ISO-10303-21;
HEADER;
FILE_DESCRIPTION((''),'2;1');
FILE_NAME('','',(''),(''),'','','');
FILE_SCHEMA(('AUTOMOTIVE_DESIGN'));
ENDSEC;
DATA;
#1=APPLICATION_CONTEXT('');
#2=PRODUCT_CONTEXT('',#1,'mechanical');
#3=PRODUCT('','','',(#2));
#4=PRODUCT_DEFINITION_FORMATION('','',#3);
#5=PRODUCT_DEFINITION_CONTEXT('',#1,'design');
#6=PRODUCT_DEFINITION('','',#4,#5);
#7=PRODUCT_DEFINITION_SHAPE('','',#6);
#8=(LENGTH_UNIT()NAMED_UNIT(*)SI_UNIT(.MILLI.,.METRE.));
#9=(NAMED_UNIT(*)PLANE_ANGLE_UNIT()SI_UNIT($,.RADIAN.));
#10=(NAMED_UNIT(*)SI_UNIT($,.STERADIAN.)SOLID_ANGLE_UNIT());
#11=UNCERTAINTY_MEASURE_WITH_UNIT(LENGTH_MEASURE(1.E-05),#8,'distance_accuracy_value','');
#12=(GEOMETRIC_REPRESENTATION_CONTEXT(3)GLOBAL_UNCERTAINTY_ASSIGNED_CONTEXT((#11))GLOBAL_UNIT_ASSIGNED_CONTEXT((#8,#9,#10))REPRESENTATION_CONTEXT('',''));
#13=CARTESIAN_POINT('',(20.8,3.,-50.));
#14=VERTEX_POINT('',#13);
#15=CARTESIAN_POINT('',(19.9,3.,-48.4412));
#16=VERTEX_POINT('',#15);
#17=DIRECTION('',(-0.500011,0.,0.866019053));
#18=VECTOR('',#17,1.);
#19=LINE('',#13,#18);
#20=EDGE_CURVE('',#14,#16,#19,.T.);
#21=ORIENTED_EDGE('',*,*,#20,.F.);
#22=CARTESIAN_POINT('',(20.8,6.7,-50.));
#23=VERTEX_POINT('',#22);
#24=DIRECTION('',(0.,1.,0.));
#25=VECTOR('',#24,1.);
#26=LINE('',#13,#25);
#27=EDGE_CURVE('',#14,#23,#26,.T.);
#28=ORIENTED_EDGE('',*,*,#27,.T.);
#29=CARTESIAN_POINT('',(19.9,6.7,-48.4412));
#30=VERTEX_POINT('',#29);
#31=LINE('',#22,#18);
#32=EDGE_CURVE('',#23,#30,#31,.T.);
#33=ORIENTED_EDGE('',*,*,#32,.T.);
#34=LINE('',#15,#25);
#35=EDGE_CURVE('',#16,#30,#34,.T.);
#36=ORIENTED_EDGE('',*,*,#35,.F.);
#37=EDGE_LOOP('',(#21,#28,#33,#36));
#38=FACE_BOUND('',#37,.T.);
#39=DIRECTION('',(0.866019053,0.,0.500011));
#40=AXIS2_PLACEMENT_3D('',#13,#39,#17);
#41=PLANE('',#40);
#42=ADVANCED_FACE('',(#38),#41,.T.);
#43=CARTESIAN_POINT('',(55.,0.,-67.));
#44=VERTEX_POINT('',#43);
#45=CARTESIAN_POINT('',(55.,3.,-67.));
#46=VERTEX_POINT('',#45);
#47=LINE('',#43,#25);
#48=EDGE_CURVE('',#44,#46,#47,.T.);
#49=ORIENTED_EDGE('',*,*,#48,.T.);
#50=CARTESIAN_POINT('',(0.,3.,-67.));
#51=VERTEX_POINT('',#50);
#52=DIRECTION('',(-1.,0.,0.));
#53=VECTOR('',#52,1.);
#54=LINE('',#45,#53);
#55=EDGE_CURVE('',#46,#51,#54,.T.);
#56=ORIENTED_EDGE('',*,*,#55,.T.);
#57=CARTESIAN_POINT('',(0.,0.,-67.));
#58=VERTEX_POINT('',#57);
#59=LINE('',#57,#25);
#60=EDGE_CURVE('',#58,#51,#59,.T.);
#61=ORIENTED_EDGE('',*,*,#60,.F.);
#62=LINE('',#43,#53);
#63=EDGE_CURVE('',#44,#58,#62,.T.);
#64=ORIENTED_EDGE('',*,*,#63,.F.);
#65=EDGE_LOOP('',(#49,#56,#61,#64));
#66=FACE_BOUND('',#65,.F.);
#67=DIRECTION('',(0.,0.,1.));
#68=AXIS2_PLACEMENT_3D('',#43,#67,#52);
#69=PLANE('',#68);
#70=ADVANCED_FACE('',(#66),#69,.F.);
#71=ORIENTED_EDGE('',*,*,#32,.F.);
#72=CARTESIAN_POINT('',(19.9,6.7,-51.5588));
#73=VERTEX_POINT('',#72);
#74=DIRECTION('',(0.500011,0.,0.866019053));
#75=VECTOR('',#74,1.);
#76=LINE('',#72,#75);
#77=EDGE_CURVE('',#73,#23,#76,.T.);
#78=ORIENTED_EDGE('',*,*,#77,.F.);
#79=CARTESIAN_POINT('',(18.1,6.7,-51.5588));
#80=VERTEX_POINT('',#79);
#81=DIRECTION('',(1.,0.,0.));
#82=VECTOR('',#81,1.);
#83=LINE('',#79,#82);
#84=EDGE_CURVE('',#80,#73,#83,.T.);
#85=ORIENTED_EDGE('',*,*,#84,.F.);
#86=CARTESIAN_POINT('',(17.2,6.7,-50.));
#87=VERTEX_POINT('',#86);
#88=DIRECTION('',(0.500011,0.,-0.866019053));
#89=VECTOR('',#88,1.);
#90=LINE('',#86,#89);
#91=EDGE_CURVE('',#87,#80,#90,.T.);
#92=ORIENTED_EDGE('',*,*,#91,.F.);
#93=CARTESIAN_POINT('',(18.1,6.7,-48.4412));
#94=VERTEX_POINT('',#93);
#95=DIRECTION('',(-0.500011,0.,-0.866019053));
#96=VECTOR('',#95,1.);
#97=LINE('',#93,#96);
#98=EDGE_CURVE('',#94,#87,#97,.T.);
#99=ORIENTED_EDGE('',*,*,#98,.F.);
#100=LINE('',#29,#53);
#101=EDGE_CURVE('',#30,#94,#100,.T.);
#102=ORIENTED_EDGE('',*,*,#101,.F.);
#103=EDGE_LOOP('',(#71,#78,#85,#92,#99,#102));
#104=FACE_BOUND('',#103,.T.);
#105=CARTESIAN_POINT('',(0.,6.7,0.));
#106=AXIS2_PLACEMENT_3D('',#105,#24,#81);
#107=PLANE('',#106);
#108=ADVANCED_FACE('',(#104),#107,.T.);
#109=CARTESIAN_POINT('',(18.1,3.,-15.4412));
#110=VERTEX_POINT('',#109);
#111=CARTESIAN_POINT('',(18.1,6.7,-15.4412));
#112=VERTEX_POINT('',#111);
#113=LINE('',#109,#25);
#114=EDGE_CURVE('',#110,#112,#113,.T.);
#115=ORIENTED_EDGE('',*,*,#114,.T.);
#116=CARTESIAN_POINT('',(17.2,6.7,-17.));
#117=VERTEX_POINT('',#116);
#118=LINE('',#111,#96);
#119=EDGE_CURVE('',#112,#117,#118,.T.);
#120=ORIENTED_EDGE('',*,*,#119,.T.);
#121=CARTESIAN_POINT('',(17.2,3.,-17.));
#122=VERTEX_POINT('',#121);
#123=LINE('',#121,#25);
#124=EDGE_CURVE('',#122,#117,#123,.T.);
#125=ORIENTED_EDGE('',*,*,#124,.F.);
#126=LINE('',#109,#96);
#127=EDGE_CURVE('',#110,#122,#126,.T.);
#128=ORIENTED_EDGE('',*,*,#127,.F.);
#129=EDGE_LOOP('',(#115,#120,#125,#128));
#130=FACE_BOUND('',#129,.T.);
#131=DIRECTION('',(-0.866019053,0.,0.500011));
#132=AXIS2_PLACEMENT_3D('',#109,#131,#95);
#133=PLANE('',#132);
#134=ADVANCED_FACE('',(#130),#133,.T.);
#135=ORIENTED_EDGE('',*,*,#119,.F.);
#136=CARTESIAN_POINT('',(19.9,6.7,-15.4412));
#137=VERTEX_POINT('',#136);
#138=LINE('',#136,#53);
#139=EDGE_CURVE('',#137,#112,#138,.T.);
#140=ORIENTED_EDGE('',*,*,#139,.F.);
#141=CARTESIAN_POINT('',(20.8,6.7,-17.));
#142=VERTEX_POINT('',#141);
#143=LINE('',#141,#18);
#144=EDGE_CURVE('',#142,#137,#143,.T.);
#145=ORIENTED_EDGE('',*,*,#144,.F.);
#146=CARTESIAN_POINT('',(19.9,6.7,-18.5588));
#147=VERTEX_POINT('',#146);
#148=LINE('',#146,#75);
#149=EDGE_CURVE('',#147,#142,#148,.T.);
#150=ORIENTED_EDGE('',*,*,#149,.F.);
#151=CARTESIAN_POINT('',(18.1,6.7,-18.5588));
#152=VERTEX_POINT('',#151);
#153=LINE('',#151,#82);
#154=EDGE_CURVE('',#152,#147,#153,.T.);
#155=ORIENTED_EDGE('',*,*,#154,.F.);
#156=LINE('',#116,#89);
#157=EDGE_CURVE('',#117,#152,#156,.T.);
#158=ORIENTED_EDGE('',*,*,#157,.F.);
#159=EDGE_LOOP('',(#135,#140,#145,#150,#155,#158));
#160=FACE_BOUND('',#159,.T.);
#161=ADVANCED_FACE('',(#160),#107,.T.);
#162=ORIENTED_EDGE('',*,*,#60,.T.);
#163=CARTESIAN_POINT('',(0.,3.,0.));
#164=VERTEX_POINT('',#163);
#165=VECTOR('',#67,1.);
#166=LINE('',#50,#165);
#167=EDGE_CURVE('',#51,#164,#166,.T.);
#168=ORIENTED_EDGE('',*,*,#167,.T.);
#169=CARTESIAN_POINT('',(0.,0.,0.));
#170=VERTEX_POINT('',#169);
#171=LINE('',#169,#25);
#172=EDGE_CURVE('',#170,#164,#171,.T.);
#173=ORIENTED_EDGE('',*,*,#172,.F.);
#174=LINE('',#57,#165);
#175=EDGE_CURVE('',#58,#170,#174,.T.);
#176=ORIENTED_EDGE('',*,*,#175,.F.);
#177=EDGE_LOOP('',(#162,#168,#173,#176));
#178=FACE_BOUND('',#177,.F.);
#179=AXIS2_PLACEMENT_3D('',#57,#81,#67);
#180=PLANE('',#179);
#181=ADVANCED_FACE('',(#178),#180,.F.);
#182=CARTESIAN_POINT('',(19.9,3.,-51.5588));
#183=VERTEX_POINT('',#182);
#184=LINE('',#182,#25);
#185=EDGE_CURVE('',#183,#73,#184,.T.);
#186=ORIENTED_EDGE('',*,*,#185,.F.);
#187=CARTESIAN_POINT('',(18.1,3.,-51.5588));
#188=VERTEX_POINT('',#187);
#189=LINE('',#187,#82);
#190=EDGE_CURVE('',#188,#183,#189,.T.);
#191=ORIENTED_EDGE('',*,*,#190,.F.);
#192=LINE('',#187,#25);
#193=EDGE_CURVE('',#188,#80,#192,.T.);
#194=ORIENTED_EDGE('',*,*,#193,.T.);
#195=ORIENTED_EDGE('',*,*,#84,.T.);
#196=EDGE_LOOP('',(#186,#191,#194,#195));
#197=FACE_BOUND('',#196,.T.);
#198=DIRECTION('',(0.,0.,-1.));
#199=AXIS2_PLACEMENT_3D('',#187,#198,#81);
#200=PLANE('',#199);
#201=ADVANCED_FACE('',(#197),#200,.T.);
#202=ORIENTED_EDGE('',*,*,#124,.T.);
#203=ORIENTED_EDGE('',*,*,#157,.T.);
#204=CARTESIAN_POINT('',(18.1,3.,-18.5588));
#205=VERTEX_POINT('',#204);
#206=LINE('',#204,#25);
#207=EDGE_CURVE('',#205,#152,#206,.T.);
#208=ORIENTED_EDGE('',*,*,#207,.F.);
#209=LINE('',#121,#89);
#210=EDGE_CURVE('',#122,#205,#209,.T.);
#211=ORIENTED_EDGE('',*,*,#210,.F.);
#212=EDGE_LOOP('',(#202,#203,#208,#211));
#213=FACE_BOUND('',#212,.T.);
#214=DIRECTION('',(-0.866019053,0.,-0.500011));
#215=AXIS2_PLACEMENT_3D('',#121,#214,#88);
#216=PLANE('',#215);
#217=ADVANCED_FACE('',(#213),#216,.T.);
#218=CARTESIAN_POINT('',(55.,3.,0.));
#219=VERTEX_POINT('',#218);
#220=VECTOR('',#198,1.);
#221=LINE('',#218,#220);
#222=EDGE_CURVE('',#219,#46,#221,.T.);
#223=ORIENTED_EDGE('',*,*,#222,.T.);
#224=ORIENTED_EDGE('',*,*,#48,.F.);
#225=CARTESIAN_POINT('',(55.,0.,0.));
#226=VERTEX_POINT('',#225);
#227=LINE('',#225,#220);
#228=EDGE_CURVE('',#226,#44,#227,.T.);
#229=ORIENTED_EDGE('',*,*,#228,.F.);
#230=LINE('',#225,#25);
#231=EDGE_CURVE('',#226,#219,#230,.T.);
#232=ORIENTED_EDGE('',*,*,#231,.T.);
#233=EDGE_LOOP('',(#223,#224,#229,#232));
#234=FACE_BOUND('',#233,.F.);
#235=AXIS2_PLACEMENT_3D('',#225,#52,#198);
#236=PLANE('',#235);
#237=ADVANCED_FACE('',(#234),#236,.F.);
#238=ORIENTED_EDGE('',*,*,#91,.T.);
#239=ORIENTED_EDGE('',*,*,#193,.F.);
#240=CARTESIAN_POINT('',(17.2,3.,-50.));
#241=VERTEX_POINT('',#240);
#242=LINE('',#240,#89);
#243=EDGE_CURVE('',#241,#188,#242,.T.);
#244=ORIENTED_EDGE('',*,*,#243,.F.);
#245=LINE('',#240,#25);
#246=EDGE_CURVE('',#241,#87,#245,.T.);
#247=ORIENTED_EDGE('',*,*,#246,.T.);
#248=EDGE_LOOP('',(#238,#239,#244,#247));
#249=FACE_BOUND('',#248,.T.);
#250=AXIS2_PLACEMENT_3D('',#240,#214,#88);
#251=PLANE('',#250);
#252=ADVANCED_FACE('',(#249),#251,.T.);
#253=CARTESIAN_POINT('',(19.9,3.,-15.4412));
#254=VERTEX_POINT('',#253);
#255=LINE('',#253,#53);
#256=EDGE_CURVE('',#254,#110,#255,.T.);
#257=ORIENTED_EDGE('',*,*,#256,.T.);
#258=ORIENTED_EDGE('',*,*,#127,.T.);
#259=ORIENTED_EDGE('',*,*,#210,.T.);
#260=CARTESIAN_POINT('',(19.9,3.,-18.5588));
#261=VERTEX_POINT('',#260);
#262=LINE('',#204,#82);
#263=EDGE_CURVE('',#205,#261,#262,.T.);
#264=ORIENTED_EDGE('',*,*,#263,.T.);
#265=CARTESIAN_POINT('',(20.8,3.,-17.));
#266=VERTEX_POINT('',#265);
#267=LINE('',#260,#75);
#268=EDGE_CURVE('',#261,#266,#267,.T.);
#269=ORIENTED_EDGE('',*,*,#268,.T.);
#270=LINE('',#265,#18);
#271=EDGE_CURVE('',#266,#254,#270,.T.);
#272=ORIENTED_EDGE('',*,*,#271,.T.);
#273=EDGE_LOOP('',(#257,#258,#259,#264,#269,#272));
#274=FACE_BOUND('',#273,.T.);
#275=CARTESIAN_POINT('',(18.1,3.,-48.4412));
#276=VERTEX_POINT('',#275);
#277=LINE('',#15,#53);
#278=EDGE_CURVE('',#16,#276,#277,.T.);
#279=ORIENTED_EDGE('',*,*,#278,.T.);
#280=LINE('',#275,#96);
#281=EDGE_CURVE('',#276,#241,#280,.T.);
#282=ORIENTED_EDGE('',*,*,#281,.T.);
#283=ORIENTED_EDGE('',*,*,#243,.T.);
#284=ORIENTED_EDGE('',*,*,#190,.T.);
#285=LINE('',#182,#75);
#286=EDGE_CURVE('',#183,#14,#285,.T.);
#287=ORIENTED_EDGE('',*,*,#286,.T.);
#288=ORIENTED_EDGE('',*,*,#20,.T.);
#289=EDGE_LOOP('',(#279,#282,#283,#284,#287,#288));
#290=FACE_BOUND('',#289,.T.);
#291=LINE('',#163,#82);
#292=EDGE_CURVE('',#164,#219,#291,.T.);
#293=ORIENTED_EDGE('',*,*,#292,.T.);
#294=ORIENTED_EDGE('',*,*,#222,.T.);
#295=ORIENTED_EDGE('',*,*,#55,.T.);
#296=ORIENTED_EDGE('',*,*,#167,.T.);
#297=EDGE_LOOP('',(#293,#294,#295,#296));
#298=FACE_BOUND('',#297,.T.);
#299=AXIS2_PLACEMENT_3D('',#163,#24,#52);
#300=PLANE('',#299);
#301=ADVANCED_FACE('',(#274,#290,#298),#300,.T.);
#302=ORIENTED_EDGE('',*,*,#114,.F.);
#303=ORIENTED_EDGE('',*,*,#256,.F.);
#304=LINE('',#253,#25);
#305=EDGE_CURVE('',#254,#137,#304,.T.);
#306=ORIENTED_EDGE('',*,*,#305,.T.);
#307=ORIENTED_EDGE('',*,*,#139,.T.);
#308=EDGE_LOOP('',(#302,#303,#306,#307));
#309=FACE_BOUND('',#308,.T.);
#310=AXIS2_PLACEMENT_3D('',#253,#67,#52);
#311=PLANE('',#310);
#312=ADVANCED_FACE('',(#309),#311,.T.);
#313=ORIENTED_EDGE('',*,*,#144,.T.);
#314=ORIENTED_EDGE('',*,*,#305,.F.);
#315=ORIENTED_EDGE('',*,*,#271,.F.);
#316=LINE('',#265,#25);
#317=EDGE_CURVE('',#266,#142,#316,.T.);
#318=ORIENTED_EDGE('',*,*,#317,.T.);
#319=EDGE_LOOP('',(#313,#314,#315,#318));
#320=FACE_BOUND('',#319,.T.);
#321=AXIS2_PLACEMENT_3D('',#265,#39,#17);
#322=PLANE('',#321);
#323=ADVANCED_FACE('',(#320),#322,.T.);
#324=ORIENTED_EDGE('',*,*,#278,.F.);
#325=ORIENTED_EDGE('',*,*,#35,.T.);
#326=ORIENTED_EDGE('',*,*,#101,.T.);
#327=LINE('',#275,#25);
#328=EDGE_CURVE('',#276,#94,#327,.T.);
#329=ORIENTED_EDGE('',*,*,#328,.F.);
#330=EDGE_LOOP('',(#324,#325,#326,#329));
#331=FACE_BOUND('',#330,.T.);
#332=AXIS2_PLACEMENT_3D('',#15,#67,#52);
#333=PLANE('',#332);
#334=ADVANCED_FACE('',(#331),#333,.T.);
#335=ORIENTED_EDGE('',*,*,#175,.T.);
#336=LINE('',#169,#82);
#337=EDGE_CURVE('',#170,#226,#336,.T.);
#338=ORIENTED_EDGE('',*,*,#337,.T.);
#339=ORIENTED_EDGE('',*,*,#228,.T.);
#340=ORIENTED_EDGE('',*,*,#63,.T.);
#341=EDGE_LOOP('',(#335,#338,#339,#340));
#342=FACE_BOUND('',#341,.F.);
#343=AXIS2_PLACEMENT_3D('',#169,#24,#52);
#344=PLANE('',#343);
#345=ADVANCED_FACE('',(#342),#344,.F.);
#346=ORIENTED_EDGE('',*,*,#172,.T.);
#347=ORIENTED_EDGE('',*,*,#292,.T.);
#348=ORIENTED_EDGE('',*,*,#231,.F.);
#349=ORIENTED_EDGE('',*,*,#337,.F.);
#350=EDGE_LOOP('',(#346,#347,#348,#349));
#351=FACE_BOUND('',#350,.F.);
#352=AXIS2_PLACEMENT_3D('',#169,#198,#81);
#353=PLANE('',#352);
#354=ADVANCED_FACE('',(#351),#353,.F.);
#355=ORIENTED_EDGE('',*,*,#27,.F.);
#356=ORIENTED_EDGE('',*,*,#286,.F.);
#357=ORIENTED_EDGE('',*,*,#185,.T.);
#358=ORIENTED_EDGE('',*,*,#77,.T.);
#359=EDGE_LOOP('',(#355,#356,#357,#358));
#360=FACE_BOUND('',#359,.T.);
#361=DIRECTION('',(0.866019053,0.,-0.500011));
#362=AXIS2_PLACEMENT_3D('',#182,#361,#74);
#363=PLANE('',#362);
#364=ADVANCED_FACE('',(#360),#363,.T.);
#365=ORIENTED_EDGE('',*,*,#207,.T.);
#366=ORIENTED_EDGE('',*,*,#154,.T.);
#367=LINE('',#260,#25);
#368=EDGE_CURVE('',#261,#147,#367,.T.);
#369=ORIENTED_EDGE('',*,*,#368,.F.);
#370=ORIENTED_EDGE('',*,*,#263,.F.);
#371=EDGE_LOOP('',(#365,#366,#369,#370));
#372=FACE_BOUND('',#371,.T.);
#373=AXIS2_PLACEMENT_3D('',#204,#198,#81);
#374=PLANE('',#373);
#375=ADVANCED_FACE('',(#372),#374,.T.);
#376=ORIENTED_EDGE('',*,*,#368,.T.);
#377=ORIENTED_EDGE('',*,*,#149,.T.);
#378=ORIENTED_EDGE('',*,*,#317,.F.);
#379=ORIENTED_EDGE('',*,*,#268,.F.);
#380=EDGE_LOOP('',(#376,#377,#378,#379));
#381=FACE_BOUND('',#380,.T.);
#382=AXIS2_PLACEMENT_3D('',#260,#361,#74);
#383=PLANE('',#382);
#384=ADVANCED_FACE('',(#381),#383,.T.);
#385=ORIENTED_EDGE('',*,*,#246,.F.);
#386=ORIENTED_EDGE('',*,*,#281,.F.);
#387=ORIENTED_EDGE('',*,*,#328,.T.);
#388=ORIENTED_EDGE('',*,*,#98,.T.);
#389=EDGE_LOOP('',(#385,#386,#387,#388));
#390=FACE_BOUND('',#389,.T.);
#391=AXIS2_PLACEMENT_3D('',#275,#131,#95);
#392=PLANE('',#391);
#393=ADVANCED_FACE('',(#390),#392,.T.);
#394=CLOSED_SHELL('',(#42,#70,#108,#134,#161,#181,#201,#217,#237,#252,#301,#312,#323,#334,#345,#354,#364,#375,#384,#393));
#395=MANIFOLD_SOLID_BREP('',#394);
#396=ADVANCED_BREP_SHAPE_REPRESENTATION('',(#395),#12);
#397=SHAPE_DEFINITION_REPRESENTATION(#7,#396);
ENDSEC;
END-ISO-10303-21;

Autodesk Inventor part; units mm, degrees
ref_plane "YZ Plane" through (0, 0, 0) normal (1, 0, 0) x (0, 1, 0)
ref_plane "XZ Plane" through (0, 0, 0) normal (0, 1, 0) x (-1, 0, 0)
ref_plane "XY Plane" through (0, 0, 0) normal (0, 0, 1) x (1, 0, 0)
sketch "Sketch1" plane through (0, 0, 0) normal (0, 1, 0) x (-1, 0, 0)
  line L0 (0, 0) -> (-55, 0)
  line L1 (-55, 0) -> (-55, -67)
  line L2 (-55, -67) -> (0, -67)
  line L3 (0, -67) -> (0, 0)
  dimension "d0" = 55
  dimension "d1" = 67
extrude "Extrusion1" add sketch "Sketch1" along normal blind 3
sketch "Sketch2" plane through (0, 3, 0) normal (0, 1, 0) x (1, 0, 0)
  line L0 (55, 0) -> (55, 67) projected
  line L1 (0, 0) -> (55, 0) projected
  line L2 (20.8, 17) -> (19.9, 15.4412)
  line L3 (19.9, 15.4412) -> (18.1, 15.4412)
  line L4 (18.1, 15.4412) -> (17.2, 17)
  line L5 (17.2, 17) -> (18.1, 18.5588)
  line L6 (18.1, 18.5588) -> (19.9, 18.5588)
  line L7 (19.9, 18.5588) -> (20.8, 17)
  line L8 (20.8, 50) -> (19.9, 48.4412)
  line L9 (19.9, 48.4412) -> (18.1, 48.4412)
  line L10 (18.1, 48.4412) -> (17.2, 50)
  line L11 (17.2, 50) -> (18.1, 51.5588)
  line L12 (18.1, 51.5588) -> (19.9, 51.5588)
  line L13 (19.9, 51.5588) -> (20.8, 50)
  point P0 (19, 17)
  point P1 (19, 50)
extrude "Extrusion2" add sketch "Sketch2" along normal blind 3.7
properties part number "Star_Wars_Base"
